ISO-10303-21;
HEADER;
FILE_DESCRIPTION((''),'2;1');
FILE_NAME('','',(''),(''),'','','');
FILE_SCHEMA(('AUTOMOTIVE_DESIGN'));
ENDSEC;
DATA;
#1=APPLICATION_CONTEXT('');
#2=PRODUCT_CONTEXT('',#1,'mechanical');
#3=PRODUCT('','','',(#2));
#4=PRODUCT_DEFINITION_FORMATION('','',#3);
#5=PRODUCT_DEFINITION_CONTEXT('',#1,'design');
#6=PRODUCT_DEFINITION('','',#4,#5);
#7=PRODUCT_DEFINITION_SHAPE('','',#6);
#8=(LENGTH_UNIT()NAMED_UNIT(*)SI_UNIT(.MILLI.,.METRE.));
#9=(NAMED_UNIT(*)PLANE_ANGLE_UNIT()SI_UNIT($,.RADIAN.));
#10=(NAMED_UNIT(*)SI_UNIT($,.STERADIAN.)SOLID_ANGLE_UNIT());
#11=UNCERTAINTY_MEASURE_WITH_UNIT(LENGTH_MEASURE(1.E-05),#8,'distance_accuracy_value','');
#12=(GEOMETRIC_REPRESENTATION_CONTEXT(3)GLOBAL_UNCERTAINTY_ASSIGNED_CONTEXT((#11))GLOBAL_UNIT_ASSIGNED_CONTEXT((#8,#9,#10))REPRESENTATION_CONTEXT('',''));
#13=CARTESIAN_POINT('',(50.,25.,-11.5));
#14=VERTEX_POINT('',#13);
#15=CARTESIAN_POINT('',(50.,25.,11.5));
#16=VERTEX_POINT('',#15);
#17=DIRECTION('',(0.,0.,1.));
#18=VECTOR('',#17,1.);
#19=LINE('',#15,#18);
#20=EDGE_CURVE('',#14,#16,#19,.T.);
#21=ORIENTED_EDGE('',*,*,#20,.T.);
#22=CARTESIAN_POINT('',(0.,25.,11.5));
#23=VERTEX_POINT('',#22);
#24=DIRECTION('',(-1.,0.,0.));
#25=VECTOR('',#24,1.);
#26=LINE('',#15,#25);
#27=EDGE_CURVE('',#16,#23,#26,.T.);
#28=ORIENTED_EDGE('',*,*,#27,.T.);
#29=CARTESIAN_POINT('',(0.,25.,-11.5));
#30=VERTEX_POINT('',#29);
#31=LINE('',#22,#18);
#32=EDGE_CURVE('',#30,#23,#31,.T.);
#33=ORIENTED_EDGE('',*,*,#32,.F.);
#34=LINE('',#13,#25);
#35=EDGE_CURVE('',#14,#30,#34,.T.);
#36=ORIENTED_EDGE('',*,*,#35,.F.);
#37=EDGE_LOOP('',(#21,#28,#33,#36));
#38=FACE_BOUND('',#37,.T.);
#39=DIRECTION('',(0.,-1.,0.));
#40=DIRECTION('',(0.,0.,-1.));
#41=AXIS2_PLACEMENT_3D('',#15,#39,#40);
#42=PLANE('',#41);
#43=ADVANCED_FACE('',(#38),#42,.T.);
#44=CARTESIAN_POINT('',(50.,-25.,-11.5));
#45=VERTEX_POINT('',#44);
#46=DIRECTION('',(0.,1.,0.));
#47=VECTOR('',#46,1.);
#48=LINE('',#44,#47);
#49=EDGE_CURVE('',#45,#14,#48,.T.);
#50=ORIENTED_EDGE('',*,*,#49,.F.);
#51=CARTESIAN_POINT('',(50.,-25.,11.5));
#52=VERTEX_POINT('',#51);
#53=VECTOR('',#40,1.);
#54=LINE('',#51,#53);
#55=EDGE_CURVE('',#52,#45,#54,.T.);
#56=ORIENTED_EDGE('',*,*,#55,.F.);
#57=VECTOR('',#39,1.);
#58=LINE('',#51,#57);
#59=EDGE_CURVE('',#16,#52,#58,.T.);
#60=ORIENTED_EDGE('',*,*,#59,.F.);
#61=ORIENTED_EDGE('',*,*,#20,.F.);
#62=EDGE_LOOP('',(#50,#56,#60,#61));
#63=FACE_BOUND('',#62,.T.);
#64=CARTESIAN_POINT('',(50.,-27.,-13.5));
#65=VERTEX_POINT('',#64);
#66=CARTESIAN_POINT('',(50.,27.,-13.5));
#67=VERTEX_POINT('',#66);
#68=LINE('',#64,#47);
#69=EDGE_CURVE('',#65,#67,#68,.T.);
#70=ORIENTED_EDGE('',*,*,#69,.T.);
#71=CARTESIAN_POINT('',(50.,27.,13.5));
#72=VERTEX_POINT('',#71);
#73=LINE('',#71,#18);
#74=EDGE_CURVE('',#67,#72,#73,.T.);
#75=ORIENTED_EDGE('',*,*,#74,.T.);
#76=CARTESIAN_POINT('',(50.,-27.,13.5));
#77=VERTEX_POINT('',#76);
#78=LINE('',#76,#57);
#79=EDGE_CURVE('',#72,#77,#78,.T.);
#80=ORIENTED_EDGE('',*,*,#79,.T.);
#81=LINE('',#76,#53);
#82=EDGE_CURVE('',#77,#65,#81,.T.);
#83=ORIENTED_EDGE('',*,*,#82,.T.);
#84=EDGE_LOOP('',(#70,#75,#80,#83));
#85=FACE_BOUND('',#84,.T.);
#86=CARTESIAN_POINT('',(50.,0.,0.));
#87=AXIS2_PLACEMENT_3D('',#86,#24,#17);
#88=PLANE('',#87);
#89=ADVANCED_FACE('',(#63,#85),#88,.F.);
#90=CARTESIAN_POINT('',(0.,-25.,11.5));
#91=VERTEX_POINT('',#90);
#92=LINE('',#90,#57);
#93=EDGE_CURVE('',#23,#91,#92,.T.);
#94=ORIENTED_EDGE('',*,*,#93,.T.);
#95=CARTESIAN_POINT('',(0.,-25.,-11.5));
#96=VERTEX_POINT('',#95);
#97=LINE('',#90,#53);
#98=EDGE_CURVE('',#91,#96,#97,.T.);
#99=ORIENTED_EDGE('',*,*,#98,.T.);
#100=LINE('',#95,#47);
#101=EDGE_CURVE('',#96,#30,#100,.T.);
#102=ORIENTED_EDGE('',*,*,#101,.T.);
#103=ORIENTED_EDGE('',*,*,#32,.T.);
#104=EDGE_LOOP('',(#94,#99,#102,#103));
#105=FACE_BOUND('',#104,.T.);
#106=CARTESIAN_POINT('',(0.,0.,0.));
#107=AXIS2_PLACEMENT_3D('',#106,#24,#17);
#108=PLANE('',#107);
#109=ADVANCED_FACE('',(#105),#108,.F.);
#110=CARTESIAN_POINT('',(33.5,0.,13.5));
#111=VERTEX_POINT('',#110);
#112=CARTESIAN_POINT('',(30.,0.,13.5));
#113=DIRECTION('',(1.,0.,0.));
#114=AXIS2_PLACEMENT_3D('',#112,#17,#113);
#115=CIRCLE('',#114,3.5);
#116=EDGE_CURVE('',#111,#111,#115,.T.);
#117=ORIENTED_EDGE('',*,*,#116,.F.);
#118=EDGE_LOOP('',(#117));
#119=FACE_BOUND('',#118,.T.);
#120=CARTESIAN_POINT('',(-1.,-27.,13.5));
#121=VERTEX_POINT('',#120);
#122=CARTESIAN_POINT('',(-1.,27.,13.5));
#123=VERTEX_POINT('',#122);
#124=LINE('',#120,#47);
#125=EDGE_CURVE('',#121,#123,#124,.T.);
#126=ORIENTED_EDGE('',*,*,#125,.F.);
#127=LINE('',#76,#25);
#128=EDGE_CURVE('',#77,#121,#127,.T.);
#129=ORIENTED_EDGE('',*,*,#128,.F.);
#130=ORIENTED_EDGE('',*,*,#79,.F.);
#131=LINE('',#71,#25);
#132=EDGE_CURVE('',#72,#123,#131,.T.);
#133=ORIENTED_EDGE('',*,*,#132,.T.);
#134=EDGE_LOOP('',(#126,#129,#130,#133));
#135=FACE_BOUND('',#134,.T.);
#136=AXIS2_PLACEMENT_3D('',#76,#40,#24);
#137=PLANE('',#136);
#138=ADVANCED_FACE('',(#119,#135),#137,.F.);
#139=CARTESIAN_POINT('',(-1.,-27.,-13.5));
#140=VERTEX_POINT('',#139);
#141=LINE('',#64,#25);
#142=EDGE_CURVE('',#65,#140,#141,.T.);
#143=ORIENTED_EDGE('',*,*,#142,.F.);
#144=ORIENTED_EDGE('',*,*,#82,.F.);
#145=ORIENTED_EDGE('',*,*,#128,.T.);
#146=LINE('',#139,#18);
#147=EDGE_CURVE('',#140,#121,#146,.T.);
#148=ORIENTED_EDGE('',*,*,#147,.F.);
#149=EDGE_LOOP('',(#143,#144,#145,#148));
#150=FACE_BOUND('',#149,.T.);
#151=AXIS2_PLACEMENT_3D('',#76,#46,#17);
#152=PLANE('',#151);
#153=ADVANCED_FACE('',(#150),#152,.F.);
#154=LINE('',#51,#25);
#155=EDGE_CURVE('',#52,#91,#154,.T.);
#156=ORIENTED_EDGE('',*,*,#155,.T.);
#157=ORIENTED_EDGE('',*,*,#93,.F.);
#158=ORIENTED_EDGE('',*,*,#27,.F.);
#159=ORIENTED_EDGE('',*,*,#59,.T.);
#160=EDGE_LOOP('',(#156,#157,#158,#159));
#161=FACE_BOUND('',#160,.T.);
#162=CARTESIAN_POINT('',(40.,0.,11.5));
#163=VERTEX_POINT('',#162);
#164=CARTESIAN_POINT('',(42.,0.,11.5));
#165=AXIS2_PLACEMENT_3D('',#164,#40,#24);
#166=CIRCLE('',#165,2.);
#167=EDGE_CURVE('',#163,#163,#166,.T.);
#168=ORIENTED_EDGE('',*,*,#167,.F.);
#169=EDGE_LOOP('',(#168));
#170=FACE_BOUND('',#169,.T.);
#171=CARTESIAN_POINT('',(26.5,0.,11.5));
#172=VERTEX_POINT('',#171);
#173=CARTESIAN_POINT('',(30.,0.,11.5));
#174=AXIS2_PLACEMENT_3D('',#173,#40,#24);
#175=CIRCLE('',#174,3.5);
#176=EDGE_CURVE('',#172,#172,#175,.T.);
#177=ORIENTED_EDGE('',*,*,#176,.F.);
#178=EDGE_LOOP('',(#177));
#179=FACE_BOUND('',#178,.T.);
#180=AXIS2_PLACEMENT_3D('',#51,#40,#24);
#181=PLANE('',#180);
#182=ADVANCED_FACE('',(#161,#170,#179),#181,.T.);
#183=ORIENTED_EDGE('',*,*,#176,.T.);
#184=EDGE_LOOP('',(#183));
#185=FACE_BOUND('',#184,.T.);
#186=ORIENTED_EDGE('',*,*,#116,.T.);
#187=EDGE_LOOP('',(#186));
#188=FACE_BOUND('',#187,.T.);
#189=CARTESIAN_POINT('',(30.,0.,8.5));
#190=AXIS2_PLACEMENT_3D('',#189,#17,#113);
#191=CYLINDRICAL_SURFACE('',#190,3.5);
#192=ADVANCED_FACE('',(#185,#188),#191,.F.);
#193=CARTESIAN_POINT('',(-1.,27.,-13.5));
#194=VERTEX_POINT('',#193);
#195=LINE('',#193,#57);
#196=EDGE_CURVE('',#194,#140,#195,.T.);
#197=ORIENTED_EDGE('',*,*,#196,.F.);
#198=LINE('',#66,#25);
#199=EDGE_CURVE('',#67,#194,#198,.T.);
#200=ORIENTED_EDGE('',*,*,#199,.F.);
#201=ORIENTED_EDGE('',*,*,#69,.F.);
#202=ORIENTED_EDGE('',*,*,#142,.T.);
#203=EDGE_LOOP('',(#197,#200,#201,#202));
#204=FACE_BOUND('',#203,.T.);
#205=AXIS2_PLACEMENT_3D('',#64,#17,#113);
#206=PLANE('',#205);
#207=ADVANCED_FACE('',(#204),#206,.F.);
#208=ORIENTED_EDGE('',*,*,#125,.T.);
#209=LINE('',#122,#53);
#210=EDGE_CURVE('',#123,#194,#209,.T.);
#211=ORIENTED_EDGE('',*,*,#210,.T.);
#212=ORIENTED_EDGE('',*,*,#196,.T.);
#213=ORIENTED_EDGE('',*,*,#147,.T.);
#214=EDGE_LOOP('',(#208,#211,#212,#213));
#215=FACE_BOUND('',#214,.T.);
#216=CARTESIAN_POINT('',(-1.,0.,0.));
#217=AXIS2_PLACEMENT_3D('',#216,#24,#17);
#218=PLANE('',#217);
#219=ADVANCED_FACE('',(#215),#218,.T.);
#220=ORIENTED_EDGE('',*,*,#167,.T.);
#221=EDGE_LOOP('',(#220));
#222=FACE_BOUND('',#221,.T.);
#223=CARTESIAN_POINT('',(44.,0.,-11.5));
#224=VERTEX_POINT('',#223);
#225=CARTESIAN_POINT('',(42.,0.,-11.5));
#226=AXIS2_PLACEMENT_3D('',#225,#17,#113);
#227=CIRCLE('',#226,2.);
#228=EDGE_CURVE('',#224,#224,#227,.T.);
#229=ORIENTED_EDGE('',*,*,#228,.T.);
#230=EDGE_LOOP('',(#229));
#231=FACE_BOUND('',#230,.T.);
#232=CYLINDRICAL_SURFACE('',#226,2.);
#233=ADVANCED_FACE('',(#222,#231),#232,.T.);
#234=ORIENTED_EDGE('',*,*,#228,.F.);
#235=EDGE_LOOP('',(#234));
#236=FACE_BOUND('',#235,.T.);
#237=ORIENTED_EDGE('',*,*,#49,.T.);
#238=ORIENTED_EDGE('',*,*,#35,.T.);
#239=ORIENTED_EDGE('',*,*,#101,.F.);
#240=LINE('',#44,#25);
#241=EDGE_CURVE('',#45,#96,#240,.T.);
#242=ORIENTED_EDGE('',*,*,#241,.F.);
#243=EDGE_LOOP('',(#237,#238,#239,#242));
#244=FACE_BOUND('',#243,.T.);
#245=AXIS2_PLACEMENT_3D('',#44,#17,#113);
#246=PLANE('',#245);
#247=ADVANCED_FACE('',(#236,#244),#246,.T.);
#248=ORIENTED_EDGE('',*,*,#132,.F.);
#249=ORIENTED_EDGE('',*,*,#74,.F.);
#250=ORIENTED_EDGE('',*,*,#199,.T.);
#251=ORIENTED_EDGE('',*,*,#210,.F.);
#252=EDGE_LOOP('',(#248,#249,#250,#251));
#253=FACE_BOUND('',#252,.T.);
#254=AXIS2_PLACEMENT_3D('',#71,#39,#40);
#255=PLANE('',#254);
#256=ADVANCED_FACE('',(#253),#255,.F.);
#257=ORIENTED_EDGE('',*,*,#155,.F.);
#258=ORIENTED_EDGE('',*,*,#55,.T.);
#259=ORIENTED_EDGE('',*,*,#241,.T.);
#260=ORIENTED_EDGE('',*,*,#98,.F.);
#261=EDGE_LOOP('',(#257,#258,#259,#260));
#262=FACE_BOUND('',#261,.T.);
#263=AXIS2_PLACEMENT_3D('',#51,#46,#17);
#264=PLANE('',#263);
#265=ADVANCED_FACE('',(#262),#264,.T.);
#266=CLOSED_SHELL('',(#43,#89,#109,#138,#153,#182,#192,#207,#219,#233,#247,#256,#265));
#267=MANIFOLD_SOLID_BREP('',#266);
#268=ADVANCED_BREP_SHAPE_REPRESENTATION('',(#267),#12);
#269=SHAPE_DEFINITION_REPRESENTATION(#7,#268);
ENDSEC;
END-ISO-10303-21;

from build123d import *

# Parameters (mm, degrees)
SKETCH_1_W          = 27
SKETCH_1_H          = 54
SKETCH_1_W_2        = 23
SKETCH_1_H_2        = 50
EXTRUDE_1_DEPTH     = 50
SKETCH_2_R          = 3.5
CUT_EXTRUDE_1_DEPTH = 5
SKETCH_3_R          = 2
EXTRUDE_2_DEPTH     = 25
SKETCH_4_W          = 27
SKETCH_4_H          = 54
EXTRUDE_3_DEPTH     = 1


with BuildPart() as part:
    # 草图1 → 凸台-拉伸1 (new body)
    with BuildSketch(Plane(origin=(0, 0, 0), x_dir=(0, 0, -1), z_dir=(1, 0, 0))):
        Rectangle(SKETCH_1_W, SKETCH_1_H)
        Rectangle(SKETCH_1_W_2, SKETCH_1_H_2, mode=Mode.SUBTRACT)
    extrude(amount=EXTRUDE_1_DEPTH)

    # 草图2 → 切除-拉伸1 (cut)
    with BuildSketch(Plane.XY.offset(13.5)):
        with Locations((30, 0)):
            Circle(SKETCH_2_R)
    extrude(amount=-CUT_EXTRUDE_1_DEPTH, mode=Mode.SUBTRACT)

    # 草图3 → 凸台-拉伸2 (add)
    with BuildSketch(Plane.XY.offset(13.5)):
        with Locations((42, 0)):
            Circle(SKETCH_3_R)
    extrude(amount=-EXTRUDE_2_DEPTH)

    # 草图4 → 凸台-拉伸3 (add)
    with BuildSketch(Plane.ZY):
        Rectangle(SKETCH_4_W, SKETCH_4_H)
    extrude(amount=EXTRUDE_3_DEPTH)


solid = part.part
